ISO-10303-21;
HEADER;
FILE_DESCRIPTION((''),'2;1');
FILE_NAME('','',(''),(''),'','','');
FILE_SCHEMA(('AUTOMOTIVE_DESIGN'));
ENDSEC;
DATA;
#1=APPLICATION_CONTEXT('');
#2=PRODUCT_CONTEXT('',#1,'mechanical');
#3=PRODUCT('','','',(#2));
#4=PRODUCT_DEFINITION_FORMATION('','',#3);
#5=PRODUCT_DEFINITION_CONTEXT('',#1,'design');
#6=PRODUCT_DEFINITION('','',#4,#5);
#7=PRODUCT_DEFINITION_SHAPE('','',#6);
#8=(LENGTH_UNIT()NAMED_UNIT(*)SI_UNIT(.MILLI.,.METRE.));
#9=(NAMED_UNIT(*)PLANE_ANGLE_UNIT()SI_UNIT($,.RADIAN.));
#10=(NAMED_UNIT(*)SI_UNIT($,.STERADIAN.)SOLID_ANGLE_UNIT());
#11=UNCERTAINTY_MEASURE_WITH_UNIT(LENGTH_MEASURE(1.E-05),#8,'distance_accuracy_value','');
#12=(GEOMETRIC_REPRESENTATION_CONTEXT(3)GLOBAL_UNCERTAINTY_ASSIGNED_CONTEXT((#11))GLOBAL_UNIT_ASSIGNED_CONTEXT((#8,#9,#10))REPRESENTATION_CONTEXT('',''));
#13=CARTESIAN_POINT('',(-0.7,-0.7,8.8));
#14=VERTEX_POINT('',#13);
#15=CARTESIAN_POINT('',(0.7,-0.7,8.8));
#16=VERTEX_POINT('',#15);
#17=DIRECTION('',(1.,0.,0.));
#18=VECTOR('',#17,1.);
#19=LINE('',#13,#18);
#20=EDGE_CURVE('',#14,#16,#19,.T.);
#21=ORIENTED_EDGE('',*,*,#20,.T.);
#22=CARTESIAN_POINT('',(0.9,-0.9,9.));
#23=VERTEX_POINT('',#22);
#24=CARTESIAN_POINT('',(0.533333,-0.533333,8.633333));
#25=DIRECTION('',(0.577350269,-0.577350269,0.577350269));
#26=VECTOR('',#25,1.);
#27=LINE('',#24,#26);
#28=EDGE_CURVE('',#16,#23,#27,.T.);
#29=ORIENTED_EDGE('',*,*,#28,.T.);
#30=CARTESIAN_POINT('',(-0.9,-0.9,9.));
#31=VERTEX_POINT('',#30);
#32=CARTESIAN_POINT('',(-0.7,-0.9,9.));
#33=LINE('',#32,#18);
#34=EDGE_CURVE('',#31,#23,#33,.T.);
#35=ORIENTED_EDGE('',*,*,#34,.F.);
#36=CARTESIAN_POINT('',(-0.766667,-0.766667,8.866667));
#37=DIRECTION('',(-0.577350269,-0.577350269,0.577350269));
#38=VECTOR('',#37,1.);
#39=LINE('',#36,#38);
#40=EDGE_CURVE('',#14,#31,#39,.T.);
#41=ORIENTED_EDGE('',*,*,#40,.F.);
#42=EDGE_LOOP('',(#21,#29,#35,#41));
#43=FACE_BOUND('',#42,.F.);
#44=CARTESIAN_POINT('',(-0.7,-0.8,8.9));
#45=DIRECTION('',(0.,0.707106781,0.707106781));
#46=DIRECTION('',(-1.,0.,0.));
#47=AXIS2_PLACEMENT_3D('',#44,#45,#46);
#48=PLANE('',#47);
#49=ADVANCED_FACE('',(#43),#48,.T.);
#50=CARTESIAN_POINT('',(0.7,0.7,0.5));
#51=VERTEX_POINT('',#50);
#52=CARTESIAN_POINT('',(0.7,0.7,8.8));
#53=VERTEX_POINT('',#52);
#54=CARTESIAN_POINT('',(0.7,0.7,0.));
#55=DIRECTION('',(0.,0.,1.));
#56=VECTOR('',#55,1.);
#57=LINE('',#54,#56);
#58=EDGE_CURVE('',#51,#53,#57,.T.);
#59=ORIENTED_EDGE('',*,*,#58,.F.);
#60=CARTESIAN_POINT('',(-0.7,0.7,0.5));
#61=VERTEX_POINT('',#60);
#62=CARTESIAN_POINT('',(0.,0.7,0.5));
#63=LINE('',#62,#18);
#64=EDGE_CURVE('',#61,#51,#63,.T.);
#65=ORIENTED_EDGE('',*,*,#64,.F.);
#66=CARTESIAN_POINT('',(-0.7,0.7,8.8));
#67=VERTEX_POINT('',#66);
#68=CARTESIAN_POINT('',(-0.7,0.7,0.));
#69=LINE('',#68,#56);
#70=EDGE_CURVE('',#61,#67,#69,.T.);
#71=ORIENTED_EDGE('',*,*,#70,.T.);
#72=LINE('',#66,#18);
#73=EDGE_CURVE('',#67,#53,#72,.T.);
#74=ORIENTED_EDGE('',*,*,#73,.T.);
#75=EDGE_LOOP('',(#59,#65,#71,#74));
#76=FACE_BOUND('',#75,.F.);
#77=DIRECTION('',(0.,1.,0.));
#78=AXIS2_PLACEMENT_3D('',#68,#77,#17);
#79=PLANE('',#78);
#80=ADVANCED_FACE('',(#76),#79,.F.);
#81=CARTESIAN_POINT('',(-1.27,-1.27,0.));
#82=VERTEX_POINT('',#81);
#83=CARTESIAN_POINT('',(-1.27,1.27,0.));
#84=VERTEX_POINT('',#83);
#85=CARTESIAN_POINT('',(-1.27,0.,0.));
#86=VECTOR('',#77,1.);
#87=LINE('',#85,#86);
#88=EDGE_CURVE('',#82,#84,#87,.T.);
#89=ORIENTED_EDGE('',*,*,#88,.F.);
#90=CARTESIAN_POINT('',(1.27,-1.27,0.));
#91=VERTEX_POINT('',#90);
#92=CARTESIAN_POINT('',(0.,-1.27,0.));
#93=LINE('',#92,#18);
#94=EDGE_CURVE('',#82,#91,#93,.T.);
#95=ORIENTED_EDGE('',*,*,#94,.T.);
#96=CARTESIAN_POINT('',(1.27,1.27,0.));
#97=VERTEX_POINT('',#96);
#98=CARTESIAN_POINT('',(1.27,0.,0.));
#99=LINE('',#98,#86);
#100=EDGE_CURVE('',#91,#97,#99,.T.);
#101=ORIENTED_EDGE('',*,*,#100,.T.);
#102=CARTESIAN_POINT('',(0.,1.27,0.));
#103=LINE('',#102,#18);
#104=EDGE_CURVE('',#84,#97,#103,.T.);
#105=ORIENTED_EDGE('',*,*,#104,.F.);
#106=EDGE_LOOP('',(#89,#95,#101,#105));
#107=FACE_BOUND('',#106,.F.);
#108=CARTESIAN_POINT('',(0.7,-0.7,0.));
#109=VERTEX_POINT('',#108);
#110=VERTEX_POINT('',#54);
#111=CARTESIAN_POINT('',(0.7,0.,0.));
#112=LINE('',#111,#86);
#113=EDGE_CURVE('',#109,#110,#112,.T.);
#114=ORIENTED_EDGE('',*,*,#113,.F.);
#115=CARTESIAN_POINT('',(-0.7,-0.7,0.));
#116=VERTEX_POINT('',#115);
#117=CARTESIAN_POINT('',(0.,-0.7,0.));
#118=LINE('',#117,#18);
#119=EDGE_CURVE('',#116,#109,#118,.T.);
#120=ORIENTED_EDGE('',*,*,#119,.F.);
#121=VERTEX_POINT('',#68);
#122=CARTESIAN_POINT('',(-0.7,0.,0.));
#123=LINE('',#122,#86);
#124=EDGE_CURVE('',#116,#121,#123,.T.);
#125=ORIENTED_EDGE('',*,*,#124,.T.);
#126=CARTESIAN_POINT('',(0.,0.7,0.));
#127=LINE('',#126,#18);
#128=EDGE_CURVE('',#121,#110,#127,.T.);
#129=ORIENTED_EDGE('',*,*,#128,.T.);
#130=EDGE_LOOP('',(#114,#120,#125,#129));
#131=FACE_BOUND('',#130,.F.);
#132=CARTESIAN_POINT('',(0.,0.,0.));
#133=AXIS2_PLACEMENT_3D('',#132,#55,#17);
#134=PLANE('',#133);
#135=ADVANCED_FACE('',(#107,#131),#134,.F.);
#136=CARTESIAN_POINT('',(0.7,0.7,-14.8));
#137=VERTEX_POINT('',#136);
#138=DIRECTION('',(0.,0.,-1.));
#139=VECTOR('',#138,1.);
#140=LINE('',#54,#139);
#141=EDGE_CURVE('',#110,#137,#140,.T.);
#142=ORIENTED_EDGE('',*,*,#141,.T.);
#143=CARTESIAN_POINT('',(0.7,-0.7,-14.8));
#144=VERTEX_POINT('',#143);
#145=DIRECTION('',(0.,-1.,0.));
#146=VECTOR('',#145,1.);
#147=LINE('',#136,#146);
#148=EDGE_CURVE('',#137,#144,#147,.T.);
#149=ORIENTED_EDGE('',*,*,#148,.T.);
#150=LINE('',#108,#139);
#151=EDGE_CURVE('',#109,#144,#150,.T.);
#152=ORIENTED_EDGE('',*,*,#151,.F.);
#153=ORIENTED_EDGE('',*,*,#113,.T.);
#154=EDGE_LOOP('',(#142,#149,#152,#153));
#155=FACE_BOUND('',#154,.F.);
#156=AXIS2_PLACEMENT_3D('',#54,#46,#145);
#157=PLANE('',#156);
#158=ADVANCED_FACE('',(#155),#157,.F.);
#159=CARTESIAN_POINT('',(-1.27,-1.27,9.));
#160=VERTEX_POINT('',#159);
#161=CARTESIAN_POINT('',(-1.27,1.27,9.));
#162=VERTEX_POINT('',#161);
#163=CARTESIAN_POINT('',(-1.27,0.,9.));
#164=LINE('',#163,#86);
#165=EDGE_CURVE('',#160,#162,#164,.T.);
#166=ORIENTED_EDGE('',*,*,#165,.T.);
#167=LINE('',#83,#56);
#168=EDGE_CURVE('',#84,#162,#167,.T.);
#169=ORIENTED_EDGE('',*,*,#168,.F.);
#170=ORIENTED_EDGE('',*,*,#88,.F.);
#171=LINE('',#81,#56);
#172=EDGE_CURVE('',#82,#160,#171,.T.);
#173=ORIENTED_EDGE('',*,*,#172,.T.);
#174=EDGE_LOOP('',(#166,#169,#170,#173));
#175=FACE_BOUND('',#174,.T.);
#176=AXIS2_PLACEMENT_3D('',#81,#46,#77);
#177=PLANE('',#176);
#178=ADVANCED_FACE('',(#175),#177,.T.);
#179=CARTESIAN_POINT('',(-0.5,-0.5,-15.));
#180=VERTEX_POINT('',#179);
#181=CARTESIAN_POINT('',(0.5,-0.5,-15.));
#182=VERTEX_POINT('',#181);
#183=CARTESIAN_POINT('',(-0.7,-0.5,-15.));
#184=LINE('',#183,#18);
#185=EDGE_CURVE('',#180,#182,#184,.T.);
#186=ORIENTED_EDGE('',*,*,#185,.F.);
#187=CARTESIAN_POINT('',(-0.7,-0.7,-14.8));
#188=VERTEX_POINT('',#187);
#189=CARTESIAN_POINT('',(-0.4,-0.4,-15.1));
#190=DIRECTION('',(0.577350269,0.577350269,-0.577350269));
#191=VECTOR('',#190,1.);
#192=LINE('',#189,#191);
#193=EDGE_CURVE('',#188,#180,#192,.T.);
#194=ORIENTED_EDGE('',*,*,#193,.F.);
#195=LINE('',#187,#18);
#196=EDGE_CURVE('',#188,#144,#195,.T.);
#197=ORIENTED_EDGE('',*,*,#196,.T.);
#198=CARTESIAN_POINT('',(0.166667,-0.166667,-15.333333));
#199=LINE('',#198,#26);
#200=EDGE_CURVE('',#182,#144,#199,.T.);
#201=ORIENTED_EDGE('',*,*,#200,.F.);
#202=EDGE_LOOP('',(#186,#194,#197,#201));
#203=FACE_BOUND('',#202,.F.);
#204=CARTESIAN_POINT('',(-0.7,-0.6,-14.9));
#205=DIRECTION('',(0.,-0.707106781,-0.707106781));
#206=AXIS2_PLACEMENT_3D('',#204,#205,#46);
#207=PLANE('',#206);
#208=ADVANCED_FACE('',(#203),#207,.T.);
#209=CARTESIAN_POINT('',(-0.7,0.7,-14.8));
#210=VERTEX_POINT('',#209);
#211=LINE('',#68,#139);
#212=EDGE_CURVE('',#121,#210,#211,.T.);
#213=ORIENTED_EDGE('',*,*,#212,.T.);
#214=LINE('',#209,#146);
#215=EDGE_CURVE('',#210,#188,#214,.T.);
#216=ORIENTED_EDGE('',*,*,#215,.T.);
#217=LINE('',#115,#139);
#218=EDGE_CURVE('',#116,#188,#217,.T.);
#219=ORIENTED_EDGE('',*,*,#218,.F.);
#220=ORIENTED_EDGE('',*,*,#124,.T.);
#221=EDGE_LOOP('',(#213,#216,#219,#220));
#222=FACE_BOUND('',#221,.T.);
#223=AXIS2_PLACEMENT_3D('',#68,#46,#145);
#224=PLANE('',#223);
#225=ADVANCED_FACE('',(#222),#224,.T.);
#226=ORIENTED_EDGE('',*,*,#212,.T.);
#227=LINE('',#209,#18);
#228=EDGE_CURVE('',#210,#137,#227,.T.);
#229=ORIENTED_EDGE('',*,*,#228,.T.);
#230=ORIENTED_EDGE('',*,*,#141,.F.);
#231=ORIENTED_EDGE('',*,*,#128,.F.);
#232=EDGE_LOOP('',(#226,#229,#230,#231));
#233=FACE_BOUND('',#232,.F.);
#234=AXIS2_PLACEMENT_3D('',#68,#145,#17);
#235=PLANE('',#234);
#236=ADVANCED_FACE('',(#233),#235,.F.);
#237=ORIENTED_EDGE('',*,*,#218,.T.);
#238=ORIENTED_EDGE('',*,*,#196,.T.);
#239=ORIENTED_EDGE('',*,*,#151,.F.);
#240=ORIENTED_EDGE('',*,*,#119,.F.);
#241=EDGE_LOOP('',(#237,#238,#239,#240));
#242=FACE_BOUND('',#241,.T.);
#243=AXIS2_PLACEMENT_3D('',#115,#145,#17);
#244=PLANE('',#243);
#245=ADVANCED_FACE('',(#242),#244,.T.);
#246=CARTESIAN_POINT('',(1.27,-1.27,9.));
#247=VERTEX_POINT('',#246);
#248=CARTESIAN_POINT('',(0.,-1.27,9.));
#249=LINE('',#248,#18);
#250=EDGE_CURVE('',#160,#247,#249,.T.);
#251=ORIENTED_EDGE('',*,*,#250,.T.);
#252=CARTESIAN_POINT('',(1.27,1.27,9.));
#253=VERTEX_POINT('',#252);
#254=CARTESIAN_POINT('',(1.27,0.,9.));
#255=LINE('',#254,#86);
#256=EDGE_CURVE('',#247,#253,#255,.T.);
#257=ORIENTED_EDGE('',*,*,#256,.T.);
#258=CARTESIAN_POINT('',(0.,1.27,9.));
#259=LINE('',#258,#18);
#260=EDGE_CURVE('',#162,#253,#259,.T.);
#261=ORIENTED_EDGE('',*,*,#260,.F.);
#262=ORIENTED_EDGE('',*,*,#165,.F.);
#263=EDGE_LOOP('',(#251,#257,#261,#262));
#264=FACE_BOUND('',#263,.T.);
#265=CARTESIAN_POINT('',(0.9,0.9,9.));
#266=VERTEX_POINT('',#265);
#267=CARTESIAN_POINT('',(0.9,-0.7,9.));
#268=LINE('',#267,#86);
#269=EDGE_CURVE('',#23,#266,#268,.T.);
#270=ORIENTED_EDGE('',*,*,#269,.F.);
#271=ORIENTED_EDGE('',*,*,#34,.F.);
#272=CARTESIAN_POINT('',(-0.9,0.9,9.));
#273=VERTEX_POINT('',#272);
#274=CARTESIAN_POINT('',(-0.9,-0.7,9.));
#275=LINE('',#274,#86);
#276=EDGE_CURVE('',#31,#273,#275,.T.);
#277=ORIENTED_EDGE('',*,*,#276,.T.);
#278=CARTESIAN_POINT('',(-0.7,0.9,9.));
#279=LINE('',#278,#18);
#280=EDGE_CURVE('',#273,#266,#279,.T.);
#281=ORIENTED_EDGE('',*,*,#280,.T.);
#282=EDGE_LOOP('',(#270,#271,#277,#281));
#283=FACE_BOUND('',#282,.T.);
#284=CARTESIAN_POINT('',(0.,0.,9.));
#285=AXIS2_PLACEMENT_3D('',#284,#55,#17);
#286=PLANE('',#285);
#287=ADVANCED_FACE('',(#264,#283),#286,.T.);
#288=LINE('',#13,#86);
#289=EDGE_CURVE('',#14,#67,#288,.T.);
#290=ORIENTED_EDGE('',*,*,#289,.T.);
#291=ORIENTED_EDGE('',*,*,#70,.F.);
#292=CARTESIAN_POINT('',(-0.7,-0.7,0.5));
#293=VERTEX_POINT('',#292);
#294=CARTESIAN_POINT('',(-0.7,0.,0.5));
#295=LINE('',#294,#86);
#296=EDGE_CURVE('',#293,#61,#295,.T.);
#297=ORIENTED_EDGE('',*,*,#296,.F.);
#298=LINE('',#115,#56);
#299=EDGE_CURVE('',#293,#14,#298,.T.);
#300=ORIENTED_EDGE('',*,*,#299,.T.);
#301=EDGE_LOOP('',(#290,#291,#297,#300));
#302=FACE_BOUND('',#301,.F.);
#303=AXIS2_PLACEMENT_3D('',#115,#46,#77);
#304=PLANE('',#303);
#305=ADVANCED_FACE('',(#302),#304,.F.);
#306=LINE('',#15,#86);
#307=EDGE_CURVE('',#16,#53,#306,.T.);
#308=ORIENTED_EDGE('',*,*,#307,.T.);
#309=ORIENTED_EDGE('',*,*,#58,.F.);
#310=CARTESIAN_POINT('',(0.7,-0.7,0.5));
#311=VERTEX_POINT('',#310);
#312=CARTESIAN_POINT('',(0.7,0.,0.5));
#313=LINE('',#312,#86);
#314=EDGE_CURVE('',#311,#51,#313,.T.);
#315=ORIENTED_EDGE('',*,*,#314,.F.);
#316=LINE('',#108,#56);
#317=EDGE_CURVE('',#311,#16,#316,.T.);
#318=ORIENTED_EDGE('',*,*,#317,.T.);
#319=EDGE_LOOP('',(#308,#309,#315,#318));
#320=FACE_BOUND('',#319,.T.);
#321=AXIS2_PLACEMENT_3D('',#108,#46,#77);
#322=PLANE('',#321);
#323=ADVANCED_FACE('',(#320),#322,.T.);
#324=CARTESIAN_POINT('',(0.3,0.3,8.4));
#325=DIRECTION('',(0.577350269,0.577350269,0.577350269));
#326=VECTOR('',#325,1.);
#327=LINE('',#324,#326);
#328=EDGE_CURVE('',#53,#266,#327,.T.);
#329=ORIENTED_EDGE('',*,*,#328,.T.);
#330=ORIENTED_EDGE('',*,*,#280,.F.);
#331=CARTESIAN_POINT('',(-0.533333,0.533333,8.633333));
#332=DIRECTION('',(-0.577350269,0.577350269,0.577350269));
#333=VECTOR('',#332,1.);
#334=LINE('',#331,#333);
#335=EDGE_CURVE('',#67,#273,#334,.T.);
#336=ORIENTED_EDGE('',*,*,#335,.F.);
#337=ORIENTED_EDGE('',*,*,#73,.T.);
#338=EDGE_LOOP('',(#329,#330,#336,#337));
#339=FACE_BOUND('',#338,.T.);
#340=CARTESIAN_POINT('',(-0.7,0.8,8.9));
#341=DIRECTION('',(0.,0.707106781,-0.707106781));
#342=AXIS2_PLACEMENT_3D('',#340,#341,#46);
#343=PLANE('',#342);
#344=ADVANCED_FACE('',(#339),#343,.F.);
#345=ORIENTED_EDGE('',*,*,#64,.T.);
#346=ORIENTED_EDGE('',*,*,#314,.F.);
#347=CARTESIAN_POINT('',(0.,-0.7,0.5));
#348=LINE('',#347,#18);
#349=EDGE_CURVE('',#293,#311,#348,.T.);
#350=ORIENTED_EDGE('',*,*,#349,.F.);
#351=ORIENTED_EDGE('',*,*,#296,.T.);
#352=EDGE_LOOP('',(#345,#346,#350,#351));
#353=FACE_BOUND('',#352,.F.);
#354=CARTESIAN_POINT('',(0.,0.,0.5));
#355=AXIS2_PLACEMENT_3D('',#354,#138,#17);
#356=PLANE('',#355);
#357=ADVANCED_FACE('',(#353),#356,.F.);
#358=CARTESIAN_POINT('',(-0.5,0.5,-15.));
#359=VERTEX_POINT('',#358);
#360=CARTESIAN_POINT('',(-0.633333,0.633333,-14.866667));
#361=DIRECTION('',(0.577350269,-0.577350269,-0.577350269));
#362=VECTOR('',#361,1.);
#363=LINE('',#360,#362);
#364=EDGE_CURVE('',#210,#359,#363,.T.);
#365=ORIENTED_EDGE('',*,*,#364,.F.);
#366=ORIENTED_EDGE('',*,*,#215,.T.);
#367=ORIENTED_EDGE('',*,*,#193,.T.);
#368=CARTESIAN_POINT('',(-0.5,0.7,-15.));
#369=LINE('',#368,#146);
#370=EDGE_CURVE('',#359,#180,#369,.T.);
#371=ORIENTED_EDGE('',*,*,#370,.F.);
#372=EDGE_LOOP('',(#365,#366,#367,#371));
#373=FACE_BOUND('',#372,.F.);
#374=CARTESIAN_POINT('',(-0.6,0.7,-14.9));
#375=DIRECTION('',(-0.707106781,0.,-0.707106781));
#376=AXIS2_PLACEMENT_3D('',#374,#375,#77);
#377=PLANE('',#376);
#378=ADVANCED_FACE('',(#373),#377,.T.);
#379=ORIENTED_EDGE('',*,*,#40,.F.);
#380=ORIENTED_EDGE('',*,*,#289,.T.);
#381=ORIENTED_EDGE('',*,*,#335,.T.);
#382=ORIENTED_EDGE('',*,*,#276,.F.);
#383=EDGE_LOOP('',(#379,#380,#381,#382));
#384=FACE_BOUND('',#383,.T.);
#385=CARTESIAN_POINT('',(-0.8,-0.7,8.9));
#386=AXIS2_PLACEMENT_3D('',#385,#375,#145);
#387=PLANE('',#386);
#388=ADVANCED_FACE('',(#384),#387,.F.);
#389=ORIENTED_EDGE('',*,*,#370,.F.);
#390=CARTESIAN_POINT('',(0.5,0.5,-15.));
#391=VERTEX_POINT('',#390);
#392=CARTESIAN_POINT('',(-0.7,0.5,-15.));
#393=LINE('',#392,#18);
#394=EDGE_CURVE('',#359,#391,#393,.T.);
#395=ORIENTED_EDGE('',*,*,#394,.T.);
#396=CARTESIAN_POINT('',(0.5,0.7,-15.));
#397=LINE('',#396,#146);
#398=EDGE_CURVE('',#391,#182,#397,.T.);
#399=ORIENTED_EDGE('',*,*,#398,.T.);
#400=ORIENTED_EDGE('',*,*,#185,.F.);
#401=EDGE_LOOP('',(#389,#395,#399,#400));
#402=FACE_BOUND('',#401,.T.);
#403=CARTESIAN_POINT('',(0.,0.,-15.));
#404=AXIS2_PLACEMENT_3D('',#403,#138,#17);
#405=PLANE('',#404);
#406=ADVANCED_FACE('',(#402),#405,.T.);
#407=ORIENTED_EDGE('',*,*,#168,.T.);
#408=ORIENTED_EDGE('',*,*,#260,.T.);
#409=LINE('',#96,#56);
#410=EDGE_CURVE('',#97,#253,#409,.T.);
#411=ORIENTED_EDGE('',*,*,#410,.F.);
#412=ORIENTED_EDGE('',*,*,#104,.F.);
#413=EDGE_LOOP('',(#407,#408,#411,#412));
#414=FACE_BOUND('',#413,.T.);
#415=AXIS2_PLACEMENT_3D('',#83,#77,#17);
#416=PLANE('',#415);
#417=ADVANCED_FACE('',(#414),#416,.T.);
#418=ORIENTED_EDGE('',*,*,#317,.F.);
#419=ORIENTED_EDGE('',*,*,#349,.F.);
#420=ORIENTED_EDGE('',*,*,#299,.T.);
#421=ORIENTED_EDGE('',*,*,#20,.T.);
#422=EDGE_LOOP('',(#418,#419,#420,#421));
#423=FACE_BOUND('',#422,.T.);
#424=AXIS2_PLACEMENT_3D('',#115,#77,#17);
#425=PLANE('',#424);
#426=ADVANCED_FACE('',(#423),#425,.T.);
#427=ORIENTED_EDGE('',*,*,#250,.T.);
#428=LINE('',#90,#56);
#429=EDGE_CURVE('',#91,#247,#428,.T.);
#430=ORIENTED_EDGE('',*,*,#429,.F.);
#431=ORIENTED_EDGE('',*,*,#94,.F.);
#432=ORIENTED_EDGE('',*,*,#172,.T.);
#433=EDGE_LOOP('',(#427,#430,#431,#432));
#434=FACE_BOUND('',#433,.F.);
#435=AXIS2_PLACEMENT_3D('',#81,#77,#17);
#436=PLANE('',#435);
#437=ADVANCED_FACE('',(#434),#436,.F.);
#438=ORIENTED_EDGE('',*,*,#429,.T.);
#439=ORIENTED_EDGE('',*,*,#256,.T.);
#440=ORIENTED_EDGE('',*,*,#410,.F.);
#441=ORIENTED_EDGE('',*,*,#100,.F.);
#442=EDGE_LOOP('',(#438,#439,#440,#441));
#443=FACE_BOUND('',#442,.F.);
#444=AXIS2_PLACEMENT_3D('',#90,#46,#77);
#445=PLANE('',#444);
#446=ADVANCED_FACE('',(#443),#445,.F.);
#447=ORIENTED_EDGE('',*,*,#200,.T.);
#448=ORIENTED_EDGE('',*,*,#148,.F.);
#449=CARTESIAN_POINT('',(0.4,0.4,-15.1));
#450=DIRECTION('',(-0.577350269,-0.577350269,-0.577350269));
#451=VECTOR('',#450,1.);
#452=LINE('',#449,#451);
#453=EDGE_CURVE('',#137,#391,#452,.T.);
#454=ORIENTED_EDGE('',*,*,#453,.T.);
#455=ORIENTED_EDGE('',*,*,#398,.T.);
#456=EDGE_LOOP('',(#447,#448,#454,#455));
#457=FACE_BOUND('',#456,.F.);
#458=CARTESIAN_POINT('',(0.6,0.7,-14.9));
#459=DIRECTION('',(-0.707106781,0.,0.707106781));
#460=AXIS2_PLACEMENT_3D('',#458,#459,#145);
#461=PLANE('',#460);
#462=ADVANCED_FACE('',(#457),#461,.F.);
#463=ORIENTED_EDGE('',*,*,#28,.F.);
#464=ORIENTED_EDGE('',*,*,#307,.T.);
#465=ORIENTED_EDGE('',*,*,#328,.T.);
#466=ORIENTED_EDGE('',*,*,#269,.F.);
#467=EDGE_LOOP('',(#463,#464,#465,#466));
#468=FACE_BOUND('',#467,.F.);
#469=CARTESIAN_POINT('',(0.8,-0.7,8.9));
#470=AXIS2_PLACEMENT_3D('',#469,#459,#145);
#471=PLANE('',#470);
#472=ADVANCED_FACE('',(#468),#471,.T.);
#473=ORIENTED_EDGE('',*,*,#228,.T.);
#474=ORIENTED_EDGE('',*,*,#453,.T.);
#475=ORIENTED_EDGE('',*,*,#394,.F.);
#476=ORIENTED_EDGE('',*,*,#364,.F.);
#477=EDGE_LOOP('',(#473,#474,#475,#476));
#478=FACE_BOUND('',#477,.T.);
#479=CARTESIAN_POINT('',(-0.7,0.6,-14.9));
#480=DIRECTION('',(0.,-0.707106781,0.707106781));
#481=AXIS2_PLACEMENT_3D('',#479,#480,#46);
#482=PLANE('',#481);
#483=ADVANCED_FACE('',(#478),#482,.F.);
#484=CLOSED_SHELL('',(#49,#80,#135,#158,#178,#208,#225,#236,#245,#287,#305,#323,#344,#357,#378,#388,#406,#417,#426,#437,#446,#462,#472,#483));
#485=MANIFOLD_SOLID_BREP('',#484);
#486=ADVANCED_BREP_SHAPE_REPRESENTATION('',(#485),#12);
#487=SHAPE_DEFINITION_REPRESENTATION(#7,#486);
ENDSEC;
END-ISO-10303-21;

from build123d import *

# Parameters (mm, degrees)
F0_W     = 2.54
F0_H     = 2.54
F0_W_2   = 1.4
F0_H_2   = 1.4
F1_DEPTH = 9
F2_SIZE  = 0.2
F3_W     = 1.4
F3_H     = 1.4
F4_DEPTH = 15
F5_SIZE  = 0.2
F6_DEPTH = 0.5


with BuildPart() as f1:
    # F0 (on Top) → F1 (new body)
    with BuildSketch(Plane.XY):
        Rectangle(F0_W, F0_H)
        Rectangle(F0_W_2, F0_H_2, mode=Mode.SUBTRACT)
    extrude(amount=F1_DEPTH)

    # F2
    f2_edges = [f1.edges().sort_by_distance(p)[0] for p in [
        (0, -0.7, 9),
        (-0.7, 0, 9),
        (0, 0.7, 9),
        (0.7, 0, 9),
    ]]
    chamfer(f2_edges, length=F2_SIZE)

    # F3 (on face) → F4 (join)
    with BuildSketch(Plane(origin=(0, 0, 0), x_dir=(1, 0, 0), z_dir=(0, 0, -1))):
        Rectangle(F3_W, F3_H)
    extrude(amount=F4_DEPTH)

    # F5
    f5_edges = [f1.edges().sort_by_distance(p)[0] for p in [
        (-0.7, 0, -15),
        (0, 0.7, -15),
        (0.7, 0, -15),
        (0, -0.7, -15),
    ]]
    chamfer(f5_edges, length=F5_SIZE)

    # F6 (add): a face of the model
    f6_faces = [f1.faces().sort_by_distance(p)[0] for p in [
        (0, 0, 0),
    ]]
    extrude(f6_faces, amount=F6_DEPTH)


solid = f1.part
